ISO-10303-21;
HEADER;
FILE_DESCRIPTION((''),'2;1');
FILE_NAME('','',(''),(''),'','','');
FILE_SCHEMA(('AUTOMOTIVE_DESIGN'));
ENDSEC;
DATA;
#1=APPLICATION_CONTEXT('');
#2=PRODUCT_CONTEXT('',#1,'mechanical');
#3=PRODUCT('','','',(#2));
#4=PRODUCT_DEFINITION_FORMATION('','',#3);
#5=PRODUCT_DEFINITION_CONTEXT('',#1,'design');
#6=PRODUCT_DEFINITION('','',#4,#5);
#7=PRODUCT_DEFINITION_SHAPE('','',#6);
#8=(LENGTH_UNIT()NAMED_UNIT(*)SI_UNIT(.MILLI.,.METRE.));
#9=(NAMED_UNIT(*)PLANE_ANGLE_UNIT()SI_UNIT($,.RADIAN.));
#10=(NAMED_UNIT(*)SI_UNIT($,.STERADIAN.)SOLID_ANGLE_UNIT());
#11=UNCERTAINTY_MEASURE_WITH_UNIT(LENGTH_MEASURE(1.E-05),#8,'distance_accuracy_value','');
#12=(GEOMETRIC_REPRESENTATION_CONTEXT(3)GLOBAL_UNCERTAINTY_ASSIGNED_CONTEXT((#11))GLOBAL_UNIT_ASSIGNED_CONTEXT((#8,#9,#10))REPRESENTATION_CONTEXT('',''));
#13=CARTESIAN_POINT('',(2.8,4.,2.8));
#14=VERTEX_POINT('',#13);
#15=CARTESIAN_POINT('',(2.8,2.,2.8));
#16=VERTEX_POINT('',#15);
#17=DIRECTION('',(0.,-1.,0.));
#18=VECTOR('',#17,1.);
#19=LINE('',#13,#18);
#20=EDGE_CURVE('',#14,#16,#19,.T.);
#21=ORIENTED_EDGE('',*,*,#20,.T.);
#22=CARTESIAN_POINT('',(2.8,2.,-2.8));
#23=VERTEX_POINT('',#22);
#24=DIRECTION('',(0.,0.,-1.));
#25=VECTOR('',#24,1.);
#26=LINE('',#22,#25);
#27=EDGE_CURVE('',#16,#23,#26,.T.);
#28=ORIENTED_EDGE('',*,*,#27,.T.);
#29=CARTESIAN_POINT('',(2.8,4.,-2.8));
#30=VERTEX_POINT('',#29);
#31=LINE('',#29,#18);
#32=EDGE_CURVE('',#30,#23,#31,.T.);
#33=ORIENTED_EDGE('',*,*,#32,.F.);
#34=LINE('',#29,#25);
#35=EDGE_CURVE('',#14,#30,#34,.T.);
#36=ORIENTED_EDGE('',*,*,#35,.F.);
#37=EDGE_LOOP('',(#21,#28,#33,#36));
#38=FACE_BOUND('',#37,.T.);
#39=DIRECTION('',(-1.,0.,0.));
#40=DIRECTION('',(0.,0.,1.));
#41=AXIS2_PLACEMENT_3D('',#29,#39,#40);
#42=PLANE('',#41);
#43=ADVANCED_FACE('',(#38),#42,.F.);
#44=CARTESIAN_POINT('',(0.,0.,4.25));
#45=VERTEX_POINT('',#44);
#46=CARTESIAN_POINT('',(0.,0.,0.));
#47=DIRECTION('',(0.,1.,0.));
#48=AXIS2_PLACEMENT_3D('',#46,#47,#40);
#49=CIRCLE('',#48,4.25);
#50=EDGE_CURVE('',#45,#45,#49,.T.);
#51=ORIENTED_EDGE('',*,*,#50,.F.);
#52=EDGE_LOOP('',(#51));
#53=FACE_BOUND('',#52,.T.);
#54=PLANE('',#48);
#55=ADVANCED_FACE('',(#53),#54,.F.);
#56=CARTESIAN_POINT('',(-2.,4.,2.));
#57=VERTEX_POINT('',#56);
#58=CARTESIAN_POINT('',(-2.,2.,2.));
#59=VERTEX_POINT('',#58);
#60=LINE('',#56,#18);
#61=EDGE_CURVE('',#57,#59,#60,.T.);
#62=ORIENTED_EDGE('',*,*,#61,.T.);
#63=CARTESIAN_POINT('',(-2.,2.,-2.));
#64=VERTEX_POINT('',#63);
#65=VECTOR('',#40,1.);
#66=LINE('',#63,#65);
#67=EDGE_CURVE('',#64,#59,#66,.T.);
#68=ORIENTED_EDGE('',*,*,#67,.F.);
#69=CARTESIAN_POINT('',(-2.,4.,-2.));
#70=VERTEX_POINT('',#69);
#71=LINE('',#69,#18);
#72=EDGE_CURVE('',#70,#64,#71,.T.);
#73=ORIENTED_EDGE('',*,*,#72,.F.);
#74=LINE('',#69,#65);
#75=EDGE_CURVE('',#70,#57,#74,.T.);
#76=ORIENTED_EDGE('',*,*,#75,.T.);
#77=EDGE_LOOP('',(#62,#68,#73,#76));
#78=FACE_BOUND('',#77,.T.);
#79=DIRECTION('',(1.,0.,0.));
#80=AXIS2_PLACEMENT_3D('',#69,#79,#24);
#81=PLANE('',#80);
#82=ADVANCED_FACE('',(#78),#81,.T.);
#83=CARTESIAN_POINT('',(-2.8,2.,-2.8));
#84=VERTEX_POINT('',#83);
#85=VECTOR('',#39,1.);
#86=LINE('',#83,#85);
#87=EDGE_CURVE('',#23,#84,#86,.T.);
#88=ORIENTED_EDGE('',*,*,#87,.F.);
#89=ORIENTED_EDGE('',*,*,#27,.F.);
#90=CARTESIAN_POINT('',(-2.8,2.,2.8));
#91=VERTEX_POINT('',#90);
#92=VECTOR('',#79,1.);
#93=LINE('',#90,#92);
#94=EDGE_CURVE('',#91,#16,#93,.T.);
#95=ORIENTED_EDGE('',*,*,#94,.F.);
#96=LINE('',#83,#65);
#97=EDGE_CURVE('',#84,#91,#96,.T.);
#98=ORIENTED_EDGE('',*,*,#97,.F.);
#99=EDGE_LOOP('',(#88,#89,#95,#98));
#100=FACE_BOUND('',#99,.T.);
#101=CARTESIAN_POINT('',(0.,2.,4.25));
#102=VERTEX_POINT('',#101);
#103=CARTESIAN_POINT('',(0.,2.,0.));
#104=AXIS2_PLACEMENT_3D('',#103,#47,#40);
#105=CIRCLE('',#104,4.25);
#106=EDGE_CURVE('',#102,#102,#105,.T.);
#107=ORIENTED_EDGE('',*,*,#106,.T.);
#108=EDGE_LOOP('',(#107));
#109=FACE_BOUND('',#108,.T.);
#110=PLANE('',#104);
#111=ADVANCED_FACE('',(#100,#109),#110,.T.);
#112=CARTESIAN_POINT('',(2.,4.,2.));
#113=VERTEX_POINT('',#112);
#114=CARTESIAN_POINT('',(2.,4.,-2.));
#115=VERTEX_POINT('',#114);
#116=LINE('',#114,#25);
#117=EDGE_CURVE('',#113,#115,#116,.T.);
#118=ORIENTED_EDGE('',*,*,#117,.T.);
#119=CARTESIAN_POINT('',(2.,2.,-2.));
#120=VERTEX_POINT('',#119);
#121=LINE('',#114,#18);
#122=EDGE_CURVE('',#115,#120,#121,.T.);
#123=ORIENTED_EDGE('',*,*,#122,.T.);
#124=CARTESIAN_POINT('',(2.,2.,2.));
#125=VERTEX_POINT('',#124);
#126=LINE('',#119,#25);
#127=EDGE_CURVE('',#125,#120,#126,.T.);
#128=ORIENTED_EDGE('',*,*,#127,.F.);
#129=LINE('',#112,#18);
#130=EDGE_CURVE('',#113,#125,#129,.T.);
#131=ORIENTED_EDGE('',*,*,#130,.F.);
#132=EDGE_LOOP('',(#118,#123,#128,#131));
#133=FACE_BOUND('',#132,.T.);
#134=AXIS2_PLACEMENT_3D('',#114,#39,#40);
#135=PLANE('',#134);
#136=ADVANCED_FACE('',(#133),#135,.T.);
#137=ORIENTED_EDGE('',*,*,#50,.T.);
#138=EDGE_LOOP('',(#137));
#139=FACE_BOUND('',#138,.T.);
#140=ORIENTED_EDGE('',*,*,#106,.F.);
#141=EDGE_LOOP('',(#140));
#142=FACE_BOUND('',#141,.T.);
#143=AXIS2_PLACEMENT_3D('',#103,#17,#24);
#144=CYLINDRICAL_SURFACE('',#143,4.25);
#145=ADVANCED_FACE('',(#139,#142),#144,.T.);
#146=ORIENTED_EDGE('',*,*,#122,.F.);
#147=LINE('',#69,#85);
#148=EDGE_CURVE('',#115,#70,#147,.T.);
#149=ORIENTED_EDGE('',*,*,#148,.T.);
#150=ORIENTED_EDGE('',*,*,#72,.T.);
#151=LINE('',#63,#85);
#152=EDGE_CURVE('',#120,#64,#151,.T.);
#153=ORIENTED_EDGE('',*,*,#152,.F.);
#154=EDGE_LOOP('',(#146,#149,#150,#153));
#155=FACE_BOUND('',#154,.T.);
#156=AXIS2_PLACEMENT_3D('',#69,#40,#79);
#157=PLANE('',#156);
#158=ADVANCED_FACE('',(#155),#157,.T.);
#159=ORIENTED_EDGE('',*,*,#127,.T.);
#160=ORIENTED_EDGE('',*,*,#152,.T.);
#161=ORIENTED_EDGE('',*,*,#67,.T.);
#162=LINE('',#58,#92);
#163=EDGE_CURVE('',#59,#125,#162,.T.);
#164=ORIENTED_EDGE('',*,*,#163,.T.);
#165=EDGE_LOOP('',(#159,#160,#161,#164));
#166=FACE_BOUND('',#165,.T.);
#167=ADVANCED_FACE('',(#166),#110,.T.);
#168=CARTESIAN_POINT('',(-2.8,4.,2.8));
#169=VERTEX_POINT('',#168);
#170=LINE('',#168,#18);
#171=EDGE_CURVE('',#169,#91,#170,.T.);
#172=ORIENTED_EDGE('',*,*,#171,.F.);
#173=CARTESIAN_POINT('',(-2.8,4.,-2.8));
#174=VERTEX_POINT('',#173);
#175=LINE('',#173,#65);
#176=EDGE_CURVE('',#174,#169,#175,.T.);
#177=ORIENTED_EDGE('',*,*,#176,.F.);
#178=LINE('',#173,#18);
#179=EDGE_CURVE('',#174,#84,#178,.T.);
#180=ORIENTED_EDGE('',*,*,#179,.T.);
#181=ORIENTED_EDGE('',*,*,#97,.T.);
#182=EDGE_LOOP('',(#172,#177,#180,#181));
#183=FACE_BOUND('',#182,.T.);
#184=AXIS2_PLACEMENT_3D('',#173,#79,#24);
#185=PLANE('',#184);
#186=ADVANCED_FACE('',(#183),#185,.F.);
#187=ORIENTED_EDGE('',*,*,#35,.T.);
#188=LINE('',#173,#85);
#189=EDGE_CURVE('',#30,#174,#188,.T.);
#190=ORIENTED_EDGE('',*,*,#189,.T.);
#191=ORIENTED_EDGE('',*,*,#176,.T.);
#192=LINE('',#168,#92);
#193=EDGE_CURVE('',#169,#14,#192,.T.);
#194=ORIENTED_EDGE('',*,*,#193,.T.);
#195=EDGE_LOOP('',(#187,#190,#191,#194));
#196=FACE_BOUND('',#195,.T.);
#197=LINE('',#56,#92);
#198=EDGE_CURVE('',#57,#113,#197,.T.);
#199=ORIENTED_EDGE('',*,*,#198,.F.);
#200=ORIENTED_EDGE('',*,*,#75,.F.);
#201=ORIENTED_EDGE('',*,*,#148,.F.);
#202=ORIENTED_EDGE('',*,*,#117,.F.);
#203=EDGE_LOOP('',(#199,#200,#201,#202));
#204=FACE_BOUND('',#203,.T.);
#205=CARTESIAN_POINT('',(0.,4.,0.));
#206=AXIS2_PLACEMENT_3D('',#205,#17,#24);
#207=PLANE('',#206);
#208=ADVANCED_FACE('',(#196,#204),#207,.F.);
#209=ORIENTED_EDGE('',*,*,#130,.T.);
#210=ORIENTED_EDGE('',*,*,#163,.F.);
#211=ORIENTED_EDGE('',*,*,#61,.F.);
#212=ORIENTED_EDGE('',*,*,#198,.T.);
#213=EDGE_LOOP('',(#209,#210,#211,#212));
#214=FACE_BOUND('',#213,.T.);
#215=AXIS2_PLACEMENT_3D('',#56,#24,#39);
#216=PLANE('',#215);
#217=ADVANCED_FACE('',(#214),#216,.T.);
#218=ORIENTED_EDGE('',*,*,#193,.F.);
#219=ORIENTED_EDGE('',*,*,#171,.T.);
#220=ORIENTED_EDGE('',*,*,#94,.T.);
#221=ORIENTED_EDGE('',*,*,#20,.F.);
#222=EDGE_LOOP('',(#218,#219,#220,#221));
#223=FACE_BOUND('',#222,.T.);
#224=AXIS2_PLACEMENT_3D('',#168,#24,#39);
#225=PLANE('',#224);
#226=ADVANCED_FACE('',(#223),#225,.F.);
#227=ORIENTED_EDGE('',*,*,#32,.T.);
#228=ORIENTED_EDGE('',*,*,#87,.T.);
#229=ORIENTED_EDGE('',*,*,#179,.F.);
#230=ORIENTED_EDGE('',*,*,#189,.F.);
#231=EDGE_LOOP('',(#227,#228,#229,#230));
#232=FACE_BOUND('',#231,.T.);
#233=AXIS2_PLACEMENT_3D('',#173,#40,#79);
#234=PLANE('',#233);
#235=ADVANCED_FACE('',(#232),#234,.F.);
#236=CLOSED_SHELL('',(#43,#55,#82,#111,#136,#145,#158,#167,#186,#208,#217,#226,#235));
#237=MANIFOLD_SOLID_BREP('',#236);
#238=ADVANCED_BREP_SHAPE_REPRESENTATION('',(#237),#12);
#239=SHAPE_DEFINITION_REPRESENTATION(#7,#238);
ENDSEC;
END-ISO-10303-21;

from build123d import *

# Parameters (mm, degrees)
ESQUISSE1_R        = 4.25
BOSS_EXTRU_1_DEPTH = 2
ESQUISSE2_W        = 5.6
ESQUISSE2_H        = 5.6
ESQUISSE2_W_2      = 4
ESQUISSE2_H_2      = 4
BOSS_EXTRU_2_DEPTH = 2


with BuildPart() as part:
    # Esquisse1 → Boss.-Extru.1 (new body)
    with BuildSketch(Plane(origin=(0, 0, 0), x_dir=(1, 0, 0), z_dir=(0, 1, 0))):
        with Locations(Location((0, 0, 0), (0, 0, 270))):
            Circle(ESQUISSE1_R)
    extrude(amount=BOSS_EXTRU_1_DEPTH)

    # Esquisse2 → Boss.-Extru.2 (add)
    with BuildSketch(Plane(origin=(0, 2, 0), x_dir=(1, 0, 0), z_dir=(0, 1, 0))):
        Rectangle(ESQUISSE2_W, ESQUISSE2_H)
        Rectangle(ESQUISSE2_W_2, ESQUISSE2_H_2, mode=Mode.SUBTRACT)
    extrude(amount=BOSS_EXTRU_2_DEPTH)


solid = part.part
